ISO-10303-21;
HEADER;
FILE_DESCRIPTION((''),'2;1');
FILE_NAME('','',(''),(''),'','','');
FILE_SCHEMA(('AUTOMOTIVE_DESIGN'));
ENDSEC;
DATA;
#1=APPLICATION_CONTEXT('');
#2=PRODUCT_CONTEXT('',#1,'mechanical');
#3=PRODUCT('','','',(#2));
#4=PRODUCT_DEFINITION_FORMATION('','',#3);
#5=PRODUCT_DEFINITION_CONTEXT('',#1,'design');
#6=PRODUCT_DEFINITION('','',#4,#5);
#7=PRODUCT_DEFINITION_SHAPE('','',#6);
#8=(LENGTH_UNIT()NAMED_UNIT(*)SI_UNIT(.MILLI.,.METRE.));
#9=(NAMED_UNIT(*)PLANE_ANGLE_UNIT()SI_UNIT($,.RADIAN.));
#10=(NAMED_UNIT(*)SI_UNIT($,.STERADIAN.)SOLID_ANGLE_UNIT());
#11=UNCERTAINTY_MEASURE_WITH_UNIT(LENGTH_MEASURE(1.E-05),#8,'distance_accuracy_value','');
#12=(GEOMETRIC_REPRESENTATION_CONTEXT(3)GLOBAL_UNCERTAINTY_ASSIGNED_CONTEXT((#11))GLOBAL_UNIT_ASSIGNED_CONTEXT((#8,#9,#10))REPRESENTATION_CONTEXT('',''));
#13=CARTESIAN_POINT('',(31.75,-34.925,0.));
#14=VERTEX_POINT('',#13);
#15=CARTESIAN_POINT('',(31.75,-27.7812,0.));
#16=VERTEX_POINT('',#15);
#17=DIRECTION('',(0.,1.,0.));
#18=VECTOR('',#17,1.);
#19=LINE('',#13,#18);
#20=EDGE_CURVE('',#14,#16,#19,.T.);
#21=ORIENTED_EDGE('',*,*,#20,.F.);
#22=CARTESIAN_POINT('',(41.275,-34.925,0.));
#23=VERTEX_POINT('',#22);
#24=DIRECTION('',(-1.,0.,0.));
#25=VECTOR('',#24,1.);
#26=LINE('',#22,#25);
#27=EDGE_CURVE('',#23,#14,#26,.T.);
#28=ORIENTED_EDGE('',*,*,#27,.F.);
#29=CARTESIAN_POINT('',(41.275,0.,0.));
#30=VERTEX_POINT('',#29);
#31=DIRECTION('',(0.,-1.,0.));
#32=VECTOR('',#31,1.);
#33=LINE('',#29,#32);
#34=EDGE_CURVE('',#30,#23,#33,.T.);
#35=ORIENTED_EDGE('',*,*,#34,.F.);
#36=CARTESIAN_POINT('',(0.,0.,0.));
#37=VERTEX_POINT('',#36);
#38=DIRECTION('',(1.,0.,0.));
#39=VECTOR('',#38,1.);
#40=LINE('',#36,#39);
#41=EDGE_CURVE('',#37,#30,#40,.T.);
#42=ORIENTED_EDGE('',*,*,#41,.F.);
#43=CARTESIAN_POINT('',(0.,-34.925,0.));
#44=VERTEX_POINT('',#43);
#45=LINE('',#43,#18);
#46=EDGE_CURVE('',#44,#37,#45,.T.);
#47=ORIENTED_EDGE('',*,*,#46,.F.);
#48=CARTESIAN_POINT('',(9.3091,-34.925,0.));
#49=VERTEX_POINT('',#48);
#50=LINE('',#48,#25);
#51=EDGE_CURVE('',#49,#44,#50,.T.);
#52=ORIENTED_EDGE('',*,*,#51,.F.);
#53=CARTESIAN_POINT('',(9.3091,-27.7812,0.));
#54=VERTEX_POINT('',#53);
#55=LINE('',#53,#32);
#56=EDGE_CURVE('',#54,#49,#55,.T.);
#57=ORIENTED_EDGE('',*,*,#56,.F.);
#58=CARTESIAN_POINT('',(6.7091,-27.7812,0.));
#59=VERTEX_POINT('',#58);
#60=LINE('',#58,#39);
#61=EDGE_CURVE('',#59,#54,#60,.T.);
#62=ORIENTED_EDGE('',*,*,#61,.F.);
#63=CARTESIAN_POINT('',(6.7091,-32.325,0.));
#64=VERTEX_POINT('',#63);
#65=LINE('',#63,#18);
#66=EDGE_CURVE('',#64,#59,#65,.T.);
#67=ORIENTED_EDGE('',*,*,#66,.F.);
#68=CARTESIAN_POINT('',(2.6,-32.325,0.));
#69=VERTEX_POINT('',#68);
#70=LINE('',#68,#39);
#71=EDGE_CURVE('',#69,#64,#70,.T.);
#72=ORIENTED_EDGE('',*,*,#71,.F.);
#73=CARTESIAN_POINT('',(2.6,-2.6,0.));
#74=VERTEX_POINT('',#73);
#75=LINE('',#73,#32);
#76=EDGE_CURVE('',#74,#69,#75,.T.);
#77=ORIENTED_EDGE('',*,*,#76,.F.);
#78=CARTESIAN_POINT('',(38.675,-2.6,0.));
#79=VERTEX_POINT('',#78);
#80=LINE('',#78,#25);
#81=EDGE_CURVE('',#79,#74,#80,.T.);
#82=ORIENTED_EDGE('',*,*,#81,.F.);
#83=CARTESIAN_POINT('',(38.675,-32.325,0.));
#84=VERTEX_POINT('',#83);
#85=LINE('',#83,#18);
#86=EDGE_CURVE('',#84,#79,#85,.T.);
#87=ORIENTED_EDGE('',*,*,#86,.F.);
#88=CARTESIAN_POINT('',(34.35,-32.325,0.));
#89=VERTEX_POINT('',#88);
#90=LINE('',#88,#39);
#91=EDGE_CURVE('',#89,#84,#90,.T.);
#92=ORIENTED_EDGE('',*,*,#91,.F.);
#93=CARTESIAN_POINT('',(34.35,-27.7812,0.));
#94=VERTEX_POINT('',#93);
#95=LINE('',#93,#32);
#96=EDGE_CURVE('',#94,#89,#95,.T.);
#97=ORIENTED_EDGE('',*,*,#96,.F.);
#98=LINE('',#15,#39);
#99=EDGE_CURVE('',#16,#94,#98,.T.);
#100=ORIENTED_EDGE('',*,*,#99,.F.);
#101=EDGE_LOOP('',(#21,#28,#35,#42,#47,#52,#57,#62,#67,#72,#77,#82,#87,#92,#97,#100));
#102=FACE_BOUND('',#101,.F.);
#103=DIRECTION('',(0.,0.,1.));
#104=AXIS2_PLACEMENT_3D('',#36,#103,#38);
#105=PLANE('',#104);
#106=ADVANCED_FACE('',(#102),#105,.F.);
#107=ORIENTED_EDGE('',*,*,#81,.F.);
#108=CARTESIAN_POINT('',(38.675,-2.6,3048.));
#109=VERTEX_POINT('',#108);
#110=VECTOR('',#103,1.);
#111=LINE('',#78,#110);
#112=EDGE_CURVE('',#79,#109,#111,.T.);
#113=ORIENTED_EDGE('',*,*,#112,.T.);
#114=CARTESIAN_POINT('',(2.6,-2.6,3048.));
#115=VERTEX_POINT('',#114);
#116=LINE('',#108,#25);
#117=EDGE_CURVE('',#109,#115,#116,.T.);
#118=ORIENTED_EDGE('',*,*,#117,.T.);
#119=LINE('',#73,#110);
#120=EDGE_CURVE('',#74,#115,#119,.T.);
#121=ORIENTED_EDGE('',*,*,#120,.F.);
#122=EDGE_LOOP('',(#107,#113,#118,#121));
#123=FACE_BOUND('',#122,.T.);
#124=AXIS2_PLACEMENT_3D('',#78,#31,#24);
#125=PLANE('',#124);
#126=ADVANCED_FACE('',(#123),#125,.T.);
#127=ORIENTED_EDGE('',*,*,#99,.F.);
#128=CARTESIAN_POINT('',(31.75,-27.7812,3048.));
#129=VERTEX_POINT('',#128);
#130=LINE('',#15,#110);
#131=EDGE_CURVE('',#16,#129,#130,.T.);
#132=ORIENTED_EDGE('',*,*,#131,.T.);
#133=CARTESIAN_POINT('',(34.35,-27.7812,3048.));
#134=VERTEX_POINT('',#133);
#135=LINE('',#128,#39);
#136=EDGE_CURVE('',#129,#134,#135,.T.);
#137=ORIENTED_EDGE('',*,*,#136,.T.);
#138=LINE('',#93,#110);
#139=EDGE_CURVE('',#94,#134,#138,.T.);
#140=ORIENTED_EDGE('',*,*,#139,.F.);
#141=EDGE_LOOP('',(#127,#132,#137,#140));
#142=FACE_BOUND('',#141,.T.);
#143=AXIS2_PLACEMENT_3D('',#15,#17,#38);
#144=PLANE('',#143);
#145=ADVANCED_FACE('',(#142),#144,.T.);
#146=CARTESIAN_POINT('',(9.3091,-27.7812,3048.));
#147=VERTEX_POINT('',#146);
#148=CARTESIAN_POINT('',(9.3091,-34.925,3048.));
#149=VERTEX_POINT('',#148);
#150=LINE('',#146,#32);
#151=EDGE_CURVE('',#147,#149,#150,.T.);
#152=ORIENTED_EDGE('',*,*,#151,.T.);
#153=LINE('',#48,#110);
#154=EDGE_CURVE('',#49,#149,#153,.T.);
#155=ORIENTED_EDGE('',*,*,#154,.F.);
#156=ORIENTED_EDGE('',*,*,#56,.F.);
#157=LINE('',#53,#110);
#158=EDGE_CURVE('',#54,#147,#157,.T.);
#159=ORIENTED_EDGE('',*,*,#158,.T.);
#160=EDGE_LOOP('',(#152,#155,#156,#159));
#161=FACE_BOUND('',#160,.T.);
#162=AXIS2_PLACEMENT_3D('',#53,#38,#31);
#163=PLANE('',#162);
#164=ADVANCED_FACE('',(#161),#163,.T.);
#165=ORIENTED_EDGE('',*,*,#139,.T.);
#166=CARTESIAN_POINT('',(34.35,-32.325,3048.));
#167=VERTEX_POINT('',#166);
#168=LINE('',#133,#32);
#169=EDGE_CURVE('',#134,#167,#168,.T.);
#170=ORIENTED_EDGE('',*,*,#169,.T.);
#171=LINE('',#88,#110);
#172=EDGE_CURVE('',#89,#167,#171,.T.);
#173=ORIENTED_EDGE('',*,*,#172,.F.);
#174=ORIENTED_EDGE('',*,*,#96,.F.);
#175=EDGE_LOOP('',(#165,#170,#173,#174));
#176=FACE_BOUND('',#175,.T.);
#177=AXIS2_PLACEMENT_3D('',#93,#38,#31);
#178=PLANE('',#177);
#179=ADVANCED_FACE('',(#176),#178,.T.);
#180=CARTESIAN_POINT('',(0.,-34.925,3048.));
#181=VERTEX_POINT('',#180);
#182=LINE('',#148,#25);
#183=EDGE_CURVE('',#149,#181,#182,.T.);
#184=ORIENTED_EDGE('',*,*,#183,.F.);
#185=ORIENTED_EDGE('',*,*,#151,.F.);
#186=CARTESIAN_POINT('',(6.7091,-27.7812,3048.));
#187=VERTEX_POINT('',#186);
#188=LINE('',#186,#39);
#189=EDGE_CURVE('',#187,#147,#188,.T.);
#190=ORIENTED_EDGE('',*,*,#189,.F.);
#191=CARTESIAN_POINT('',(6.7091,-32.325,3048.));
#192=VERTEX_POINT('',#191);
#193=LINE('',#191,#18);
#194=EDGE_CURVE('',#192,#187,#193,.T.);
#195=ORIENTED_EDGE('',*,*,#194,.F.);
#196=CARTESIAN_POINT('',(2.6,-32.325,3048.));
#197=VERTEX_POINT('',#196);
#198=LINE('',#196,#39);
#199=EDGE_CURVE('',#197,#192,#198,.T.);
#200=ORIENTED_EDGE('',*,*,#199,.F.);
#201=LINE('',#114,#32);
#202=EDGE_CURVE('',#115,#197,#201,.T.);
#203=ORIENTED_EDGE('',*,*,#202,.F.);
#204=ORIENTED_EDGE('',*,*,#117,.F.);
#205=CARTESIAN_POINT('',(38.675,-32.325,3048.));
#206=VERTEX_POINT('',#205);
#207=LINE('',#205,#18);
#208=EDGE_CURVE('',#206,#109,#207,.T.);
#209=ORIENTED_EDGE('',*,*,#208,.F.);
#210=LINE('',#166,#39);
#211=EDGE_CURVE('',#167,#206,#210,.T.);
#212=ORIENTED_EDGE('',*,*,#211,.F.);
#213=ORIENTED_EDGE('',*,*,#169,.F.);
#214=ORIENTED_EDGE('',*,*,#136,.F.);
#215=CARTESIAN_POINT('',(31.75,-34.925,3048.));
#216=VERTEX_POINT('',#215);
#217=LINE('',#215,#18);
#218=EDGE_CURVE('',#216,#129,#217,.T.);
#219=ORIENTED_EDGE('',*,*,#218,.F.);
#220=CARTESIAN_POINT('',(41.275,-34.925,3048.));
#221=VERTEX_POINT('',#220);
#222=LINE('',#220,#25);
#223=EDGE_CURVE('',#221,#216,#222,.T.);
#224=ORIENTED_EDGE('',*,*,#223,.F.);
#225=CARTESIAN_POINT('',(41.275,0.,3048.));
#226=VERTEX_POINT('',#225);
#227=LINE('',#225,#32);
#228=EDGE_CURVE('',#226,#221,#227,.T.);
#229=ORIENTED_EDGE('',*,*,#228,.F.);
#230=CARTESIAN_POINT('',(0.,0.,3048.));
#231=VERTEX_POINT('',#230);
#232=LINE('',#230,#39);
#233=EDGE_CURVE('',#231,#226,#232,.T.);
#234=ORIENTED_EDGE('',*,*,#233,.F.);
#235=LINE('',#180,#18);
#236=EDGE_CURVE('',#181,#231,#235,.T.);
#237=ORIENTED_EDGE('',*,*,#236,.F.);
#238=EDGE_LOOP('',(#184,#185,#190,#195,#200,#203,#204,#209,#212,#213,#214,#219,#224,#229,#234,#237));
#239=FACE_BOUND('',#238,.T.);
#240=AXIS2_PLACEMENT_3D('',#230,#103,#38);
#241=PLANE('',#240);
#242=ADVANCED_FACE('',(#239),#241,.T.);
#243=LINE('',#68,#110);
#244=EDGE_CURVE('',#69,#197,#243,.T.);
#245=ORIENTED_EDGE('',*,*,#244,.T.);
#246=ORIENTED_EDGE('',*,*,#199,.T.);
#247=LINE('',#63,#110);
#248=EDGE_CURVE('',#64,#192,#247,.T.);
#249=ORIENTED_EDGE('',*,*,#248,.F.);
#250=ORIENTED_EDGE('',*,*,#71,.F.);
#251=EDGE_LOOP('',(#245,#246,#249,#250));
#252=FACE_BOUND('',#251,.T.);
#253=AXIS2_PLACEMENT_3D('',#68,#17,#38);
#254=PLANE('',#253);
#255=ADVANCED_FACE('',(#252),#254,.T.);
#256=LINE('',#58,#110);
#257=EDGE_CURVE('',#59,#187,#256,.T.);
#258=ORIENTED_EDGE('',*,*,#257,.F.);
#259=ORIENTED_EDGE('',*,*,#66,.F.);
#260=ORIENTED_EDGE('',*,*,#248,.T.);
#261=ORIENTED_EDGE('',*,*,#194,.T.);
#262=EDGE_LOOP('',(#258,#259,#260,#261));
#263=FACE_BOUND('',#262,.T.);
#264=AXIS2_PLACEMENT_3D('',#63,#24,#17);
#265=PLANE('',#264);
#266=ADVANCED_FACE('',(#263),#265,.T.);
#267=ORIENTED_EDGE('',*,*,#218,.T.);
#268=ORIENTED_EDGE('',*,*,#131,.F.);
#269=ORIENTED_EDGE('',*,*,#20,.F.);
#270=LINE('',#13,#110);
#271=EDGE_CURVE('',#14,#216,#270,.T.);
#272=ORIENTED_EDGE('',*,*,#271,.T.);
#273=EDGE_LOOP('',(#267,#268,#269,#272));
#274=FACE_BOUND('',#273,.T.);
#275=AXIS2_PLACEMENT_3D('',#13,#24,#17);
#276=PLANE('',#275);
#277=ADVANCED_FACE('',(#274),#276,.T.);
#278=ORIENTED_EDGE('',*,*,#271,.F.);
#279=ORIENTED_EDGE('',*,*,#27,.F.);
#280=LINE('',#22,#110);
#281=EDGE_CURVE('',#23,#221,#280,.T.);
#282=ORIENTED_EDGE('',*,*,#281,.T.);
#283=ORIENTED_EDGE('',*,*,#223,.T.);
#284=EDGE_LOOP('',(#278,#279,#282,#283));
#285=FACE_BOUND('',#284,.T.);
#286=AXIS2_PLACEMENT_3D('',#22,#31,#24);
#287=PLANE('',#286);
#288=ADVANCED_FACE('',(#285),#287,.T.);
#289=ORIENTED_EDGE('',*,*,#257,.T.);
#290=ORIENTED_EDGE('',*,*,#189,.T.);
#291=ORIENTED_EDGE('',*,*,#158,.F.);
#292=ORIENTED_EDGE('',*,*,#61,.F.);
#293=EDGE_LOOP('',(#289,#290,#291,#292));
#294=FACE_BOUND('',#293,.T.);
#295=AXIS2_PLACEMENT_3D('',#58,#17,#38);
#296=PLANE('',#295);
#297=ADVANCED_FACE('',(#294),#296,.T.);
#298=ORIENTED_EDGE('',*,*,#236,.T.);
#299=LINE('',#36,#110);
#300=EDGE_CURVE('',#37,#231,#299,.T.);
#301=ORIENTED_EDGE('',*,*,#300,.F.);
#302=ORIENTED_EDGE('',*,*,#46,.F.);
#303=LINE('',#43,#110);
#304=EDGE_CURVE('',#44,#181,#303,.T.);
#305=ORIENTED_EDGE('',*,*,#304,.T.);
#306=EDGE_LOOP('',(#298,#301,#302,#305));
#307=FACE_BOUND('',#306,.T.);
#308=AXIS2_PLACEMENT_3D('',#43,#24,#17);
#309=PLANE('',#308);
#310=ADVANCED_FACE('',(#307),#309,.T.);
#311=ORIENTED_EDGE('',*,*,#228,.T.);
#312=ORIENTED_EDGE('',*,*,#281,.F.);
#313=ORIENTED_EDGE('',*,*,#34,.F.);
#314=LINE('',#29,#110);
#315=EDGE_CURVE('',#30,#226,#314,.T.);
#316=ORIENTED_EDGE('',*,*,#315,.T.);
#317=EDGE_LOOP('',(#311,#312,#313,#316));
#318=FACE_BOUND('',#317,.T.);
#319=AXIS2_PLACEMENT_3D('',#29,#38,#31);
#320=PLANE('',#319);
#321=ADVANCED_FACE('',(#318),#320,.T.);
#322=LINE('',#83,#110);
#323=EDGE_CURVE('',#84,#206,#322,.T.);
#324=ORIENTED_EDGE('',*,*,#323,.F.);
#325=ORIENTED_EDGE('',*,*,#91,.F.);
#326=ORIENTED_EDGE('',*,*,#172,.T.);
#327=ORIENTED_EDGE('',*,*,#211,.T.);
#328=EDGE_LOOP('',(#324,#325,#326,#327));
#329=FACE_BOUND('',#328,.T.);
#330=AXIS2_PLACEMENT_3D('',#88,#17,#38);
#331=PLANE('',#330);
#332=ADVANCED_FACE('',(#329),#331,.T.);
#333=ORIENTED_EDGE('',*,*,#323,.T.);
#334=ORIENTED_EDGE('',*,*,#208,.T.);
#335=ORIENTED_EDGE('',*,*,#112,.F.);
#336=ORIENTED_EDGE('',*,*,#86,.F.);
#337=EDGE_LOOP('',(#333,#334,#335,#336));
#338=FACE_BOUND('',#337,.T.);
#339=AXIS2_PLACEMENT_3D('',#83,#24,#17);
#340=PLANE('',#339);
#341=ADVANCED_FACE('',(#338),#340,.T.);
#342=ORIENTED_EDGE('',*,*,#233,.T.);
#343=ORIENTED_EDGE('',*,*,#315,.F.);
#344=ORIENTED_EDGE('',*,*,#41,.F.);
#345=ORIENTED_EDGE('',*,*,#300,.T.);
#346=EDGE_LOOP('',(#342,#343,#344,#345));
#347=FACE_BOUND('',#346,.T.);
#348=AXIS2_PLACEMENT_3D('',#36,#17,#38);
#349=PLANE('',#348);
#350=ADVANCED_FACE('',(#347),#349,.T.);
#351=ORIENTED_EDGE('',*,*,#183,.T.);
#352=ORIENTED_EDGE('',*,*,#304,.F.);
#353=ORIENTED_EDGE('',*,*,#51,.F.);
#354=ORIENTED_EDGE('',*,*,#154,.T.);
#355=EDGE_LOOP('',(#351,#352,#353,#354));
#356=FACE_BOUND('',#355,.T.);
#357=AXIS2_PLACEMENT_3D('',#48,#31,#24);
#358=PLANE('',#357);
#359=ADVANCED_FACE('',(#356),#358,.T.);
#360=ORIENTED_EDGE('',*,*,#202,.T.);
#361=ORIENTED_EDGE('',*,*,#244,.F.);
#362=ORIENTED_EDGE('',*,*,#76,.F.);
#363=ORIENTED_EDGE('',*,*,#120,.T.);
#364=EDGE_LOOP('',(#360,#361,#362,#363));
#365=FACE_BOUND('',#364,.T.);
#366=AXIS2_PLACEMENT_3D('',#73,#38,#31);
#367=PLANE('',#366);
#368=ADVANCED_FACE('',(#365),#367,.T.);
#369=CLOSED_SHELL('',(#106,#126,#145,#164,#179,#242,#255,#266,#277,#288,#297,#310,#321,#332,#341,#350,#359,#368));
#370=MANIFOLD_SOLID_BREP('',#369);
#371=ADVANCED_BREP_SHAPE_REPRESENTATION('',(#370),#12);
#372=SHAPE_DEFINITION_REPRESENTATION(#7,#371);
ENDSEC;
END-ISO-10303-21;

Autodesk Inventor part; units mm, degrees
ref_plane "YZ Plane" through (0, 0, 0) normal (1, 0, 0) x (0, 1, 0)
ref_plane "XZ Plane" through (0, 0, 0) normal (0, 1, 0) x (-1, 0, 0)
ref_plane "XY Plane" through (0, 0, 0) normal (0, 0, 1) x (1, 0, 0)
sketch "Sketch1" plane through (0, 0, 0) normal (0, 0, 1) x (1, 0, 0)
  line L0 (0, 0) -> (41.275, 0)
  line L1 (41.275, 0) -> (41.275, -34.925)
  line L2 (41.275, -34.925) -> (31.75, -34.925)
  line L3 (31.75, -34.925) -> (31.75, -27.7812)
  line L4 (31.75, -27.7812) -> (34.35, -27.7812)
  line L5 (34.35, -27.7812) -> (34.35, -32.325)
  line L6 (34.35, -32.325) -> (38.675, -32.325)
  line L7 (38.675, -32.325) -> (38.675, -2.6)
  line L8 (38.675, -2.6) -> (2.6, -2.6)
  line L9 (0, -34.925) -> (0, 0)
  line L10 (2.6, -2.6) -> (2.6, -32.325)
  line L11 (2.6, -32.325) -> (6.7091, -32.325)
  line L12 (6.7091, -32.325) -> (6.7091, -27.7812)
  line L13 (6.7091, -27.7812) -> (9.3091, -27.7812)
  line L14 (9.3091, -27.7812) -> (9.3091, -34.925)
  line L15 (9.3091, -34.925) -> (0, -34.925)
  dimension "d0" = 41.275
  dimension "d1" = 34.925
  dimension "d4" = 9.525
  dimension "d5" = 7.1437
  dimension "d6" = 2.6
  dimension "d7" = 2.6
  dimension "d8" = 2.6
  dimension "d9" = 2.6
  dimension "d11" = 2.6
  dimension "d12" = 2.6
  dimension "d13" = 7.1437
  dimension "d14" = 2.6
extrude "Extrusion1" add sketch "Sketch1" along normal blind 3048
properties part number "LongStrut84Sec1"
